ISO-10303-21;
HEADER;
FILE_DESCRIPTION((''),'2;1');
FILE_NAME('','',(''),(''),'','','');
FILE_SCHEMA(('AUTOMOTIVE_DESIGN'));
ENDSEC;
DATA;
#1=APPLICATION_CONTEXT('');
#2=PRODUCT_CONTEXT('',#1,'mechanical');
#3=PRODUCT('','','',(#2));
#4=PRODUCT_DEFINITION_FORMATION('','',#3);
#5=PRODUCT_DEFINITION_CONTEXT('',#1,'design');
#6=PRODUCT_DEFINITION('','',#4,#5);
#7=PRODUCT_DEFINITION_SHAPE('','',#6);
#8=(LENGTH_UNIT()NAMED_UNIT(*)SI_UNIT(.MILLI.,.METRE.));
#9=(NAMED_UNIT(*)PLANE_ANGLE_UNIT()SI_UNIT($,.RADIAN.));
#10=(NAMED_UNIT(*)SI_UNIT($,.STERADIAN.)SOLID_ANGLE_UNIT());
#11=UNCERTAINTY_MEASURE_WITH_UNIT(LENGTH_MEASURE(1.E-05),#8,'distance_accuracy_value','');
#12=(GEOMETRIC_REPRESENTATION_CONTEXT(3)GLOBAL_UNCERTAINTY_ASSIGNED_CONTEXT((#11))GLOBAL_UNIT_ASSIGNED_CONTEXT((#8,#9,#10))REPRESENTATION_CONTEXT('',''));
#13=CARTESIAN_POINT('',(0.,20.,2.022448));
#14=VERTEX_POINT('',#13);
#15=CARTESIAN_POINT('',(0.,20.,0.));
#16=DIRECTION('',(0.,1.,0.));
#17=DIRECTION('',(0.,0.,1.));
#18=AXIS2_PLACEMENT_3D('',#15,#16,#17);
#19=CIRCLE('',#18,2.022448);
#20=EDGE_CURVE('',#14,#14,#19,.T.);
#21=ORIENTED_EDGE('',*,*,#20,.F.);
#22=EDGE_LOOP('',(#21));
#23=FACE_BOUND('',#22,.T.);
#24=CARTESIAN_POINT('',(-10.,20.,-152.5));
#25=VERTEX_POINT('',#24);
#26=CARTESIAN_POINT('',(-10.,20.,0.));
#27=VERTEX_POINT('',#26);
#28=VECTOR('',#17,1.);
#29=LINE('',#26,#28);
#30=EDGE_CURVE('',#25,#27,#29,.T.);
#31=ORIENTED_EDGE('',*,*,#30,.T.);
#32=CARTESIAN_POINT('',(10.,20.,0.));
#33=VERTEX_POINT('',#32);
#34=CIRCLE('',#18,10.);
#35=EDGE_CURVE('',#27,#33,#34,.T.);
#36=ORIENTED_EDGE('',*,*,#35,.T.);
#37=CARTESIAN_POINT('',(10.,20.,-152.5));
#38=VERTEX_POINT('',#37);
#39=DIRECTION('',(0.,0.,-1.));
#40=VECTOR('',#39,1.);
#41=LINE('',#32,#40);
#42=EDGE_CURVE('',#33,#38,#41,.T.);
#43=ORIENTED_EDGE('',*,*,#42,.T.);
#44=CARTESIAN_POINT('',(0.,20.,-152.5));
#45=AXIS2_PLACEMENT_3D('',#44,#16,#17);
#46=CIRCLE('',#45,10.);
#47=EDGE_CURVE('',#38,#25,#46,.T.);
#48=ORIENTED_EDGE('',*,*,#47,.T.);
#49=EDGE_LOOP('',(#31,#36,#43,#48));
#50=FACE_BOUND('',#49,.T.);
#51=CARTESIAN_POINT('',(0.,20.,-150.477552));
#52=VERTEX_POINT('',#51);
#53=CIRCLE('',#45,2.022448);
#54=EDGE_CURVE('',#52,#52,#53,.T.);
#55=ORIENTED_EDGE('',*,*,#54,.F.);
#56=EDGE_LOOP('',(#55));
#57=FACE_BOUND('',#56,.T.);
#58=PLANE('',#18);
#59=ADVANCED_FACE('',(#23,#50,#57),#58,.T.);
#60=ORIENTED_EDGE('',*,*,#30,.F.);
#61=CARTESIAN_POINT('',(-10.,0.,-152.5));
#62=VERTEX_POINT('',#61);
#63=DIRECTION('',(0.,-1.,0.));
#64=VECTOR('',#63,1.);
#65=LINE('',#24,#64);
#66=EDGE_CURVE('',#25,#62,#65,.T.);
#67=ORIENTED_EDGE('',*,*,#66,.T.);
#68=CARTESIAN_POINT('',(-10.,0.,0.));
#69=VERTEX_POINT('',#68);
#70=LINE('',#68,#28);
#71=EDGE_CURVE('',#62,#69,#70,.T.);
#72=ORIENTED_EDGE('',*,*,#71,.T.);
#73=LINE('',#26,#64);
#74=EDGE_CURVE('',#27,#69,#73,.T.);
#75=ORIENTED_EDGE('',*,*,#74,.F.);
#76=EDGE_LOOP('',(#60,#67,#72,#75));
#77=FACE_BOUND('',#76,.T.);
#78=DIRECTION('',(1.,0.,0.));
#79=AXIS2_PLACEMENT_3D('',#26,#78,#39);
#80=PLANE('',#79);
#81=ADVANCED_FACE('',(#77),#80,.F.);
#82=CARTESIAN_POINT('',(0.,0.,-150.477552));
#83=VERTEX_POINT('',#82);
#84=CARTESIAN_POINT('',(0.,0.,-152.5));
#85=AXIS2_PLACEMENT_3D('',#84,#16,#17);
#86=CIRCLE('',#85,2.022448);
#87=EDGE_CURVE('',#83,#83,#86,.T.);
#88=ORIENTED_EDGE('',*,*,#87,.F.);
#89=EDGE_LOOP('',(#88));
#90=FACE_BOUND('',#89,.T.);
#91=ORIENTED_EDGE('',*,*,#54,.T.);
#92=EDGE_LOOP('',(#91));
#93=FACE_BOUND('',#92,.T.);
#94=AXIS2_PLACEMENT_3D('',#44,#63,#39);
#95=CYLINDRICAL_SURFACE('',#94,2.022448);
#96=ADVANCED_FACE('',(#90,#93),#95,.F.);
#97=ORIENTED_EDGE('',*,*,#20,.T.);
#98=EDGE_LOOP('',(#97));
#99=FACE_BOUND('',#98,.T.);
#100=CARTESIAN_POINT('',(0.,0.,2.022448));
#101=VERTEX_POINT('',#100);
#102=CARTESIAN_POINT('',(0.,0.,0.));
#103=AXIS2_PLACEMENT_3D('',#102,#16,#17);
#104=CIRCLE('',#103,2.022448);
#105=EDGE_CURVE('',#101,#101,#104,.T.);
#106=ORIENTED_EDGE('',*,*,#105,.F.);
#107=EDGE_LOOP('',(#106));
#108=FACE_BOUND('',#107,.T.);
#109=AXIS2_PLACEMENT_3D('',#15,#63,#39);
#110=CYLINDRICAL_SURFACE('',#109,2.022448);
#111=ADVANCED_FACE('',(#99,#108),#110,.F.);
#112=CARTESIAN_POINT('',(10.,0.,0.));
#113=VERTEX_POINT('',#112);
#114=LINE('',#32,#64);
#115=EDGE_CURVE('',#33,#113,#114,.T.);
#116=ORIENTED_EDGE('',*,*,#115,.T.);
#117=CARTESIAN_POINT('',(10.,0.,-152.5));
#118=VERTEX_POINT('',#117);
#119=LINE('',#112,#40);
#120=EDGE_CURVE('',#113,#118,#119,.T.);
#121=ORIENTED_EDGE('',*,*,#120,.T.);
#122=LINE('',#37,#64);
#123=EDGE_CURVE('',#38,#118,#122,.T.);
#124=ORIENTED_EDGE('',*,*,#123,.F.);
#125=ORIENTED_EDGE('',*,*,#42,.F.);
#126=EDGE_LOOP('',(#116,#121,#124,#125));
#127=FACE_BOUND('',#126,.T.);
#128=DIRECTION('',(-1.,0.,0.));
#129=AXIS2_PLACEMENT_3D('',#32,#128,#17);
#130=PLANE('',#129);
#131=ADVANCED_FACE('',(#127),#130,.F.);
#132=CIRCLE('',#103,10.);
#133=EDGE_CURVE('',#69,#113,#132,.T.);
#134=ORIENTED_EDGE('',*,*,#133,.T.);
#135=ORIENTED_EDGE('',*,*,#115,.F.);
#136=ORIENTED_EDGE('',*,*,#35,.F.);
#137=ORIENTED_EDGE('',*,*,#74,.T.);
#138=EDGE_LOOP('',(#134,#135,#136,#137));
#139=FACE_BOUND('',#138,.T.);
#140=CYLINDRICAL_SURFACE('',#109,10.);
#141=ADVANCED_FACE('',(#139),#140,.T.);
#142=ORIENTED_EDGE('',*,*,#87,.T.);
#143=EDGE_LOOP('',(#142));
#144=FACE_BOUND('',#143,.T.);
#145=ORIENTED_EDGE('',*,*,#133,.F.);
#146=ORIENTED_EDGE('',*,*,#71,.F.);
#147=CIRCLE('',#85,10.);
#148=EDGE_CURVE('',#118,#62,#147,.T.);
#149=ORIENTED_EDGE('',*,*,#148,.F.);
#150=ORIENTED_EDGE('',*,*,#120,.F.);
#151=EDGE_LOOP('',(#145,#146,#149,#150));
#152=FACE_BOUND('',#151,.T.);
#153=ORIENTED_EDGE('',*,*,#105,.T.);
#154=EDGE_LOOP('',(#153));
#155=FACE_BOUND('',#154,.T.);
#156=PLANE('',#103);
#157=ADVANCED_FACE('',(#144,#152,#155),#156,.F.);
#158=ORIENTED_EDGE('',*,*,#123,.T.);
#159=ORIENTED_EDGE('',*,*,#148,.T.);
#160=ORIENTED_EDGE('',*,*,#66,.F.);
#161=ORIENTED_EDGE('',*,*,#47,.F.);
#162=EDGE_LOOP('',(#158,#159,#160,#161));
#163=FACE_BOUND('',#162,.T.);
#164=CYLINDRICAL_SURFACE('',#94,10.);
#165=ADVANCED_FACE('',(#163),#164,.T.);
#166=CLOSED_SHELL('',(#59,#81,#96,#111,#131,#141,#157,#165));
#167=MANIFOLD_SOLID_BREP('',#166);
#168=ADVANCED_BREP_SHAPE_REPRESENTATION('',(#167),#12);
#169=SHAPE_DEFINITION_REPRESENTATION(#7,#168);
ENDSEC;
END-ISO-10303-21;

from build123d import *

# Parameters (mm, degrees)
SKETCH1_R           = 2.022448349
BOSS_EXTRUDE1_DEPTH = 20


with BuildPart() as part:
    # Sketch1 → Boss-Extrude1 (new body)
    with BuildSketch(Plane(origin=(0, 0, 0), x_dir=(1, 0, 0), z_dir=(0, 1, 0))):
        with BuildLine():
            Line((-10, 0), (-10, 152.5))
            ThreePointArc((-10, 152.5), (0, 162.5), (10, 152.5))
            Line((10, 152.5), (10, 0))
            ThreePointArc((10, 0), (0, -10), (-10, 0))
        make_face()
        with Locations(Location((0, 0, 0), (0, 0, 270))):
            Circle(SKETCH1_R, mode=Mode.SUBTRACT)
        with Locations(Location((0, 152.5, 0), (0, 0, 270))):
            Circle(SKETCH1_R, mode=Mode.SUBTRACT)
    extrude(amount=BOSS_EXTRUDE1_DEPTH)


solid = part.part
